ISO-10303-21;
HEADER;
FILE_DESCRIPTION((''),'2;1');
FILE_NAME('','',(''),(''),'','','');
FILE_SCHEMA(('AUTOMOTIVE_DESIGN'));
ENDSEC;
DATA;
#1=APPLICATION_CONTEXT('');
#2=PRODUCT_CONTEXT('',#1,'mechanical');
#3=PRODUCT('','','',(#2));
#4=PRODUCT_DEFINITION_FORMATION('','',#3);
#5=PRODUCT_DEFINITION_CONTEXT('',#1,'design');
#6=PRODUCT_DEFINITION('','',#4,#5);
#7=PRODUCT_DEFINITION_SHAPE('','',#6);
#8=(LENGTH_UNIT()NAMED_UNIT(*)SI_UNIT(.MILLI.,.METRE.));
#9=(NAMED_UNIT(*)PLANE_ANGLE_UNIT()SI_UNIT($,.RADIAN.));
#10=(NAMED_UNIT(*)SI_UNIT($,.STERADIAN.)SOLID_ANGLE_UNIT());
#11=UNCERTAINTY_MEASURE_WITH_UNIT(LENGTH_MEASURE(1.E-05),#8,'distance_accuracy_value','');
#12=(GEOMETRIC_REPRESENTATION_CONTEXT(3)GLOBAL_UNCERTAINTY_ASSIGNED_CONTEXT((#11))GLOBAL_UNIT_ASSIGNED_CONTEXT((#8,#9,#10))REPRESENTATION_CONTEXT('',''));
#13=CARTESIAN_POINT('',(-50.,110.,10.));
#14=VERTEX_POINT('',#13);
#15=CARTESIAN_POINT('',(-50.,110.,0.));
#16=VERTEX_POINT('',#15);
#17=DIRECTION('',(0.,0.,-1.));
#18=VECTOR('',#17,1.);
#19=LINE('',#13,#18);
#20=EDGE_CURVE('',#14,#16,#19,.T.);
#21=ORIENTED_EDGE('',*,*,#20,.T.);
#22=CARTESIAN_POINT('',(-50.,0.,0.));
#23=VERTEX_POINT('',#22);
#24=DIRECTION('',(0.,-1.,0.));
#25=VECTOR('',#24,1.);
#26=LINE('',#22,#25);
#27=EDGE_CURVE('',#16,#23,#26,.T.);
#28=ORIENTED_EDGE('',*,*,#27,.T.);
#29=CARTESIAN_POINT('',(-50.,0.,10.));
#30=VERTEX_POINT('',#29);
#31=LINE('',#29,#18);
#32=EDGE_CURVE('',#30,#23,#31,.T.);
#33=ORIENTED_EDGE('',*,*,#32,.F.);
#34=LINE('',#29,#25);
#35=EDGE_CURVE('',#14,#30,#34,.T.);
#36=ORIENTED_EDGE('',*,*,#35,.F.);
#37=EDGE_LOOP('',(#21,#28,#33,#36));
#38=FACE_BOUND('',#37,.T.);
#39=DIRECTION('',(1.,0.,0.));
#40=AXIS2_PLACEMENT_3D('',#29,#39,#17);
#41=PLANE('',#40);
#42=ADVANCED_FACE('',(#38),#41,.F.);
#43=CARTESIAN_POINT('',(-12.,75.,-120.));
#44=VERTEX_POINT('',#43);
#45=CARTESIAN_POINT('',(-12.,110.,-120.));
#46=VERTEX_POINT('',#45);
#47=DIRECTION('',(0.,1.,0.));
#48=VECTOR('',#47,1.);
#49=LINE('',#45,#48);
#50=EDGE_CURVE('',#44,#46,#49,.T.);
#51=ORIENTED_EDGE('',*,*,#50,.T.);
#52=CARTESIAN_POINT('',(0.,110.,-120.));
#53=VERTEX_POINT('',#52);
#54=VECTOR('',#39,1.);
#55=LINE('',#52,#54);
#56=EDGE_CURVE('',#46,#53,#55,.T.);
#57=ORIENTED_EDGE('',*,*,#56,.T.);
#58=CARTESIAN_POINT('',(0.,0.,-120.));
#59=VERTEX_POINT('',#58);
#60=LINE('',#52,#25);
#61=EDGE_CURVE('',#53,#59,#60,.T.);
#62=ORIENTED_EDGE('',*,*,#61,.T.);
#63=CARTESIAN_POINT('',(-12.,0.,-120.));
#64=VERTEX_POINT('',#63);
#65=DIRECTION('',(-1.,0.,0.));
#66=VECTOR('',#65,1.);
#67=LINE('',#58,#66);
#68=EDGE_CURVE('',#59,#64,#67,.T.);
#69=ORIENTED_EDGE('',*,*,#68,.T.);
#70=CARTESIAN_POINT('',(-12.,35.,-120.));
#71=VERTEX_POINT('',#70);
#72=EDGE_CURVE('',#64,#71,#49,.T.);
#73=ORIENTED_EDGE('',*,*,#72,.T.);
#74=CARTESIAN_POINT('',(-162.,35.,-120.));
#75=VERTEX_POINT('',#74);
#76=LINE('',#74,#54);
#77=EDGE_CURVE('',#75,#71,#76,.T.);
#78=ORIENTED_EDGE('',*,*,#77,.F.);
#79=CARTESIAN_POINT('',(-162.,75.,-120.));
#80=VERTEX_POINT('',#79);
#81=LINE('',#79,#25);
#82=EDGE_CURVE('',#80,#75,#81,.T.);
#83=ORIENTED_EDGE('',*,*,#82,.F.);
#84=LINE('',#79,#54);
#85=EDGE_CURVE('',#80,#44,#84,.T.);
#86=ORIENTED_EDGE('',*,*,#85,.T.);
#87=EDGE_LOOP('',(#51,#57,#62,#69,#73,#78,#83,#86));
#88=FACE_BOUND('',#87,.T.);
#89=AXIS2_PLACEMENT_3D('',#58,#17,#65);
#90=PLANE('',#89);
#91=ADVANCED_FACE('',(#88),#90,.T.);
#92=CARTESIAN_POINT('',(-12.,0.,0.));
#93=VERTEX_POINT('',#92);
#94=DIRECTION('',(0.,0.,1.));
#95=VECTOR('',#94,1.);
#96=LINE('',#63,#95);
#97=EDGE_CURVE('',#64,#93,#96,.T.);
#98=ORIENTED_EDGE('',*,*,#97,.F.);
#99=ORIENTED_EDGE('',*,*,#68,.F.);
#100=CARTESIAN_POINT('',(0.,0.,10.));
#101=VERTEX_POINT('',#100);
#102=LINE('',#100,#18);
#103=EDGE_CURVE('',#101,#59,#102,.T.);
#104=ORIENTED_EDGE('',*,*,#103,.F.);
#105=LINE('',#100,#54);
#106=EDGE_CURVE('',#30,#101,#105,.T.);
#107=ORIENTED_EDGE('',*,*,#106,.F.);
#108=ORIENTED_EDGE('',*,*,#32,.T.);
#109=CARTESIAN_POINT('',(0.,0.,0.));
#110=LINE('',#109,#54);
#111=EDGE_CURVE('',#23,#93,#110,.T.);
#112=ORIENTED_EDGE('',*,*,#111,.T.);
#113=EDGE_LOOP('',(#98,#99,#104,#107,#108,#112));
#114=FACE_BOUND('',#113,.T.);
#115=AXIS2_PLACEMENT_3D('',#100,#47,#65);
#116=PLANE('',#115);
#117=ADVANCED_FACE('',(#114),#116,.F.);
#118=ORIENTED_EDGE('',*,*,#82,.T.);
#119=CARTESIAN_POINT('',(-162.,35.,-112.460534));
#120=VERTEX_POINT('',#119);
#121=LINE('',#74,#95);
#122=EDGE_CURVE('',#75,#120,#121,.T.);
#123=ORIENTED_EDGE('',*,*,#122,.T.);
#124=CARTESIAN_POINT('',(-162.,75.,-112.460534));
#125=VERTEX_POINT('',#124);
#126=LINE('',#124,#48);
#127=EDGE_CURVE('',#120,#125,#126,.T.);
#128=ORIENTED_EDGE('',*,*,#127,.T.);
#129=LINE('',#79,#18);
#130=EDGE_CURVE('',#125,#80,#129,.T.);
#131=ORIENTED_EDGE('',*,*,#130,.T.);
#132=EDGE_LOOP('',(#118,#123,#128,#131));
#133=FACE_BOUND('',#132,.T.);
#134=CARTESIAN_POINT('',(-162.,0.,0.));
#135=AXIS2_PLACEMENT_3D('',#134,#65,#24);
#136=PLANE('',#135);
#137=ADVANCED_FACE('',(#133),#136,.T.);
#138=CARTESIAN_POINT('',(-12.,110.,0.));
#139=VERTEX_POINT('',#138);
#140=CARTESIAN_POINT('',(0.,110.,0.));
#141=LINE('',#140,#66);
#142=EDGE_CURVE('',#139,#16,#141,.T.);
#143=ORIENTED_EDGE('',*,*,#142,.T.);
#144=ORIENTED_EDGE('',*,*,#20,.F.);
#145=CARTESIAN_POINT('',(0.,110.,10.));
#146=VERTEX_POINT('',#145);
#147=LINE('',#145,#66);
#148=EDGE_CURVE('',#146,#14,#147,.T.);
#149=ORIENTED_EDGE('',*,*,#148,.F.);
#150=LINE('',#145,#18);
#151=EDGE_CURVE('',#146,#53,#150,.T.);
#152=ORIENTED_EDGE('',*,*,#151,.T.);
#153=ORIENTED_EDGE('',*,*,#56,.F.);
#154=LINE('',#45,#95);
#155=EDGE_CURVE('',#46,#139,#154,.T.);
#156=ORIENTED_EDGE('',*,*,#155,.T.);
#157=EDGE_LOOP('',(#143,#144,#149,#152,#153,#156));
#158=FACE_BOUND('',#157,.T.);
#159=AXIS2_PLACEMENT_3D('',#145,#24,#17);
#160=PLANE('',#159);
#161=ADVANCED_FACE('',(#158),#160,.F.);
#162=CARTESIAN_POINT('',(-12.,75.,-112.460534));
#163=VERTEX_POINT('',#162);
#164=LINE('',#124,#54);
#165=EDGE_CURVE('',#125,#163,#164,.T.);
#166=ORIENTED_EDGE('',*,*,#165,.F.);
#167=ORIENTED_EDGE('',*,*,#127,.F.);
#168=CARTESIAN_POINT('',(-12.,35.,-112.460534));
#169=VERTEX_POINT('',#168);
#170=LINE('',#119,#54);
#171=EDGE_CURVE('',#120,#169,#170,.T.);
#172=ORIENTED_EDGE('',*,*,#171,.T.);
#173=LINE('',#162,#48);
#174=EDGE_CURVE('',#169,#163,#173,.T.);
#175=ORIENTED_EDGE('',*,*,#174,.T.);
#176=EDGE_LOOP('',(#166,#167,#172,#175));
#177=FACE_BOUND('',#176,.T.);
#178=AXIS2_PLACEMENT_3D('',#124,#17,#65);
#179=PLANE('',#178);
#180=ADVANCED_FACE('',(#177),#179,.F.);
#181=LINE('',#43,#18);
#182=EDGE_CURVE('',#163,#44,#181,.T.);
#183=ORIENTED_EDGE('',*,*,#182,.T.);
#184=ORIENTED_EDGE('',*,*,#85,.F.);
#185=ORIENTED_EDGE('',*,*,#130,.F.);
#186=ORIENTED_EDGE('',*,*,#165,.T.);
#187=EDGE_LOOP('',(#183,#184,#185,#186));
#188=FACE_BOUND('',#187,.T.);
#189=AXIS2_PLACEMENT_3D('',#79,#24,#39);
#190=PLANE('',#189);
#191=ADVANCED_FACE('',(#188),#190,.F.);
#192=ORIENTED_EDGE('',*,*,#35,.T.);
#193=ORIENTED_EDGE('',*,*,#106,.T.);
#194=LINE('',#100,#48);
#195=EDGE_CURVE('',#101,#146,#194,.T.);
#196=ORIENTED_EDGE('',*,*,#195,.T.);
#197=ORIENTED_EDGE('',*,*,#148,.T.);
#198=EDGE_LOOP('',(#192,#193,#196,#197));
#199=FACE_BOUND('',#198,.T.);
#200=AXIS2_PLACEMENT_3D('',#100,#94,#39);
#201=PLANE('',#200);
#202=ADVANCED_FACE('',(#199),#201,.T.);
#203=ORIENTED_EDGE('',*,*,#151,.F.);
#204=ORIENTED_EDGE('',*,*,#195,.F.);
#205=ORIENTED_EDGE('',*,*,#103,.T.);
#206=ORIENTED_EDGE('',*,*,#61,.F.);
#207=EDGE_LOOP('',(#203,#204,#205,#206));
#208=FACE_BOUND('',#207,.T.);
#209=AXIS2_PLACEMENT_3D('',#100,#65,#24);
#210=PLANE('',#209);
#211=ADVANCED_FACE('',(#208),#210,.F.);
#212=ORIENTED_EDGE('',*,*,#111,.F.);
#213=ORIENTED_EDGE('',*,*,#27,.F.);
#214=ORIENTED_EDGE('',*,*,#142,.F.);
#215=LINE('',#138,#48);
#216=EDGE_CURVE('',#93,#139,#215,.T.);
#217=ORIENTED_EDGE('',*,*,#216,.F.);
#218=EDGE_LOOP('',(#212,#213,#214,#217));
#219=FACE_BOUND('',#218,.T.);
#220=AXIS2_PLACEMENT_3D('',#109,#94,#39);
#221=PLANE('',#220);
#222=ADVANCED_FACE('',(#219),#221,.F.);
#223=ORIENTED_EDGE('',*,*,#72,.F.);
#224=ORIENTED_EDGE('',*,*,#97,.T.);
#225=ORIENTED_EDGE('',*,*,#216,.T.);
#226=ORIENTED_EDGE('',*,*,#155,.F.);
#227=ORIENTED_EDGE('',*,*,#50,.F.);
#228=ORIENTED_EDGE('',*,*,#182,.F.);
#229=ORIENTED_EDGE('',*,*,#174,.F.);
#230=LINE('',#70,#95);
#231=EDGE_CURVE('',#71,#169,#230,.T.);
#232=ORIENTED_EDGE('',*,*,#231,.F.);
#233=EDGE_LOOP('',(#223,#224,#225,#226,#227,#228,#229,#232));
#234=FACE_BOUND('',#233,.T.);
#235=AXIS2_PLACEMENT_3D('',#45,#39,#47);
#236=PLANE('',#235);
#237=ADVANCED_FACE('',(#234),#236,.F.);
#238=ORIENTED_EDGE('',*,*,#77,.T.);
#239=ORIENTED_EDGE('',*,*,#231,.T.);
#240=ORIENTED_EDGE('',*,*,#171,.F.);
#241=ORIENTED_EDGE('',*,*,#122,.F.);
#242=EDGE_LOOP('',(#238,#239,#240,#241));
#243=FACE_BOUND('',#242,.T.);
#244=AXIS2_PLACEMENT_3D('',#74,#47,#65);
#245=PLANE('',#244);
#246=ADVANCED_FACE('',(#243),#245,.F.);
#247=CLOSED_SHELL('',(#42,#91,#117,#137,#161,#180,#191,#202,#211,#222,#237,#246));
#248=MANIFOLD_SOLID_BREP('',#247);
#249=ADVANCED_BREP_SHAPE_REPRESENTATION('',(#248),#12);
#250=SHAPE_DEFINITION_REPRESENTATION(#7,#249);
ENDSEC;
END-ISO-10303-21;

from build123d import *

# Parameters (mm, degrees)
SKETCH1_W           = 50
SKETCH1_H           = 110
BOSS_EXTRUDE1_DEPTH = 10
SKETCH2_W           = 12
SKETCH2_H           = 110
BOSS_EXTRUDE2_DEPTH = 120
SKETCH3_W           = 7.539466006
SKETCH3_H           = 40
BOSS_EXTRUDE3_DEPTH = 150


with BuildPart() as part:
    # Sketch1 → Boss-Extrude1 (new body)
    with BuildSketch(Plane.XY):
        with Locations((-25, 55)):
            Rectangle(SKETCH1_W, SKETCH1_H)
    extrude(amount=BOSS_EXTRUDE1_DEPTH)

    # Sketch2 → Boss-Extrude2 (add)
    with BuildSketch(Plane(origin=(0, 0, 0), x_dir=(-1, 0, 0), z_dir=(0, 0, -1))):
        with Locations((6, 55)):
            Rectangle(SKETCH2_W, SKETCH2_H)
    extrude(amount=BOSS_EXTRUDE2_DEPTH)

    # Sketch3 → Boss-Extrude3 (add)
    with BuildSketch(Plane.ZY.offset(12)):
        with Locations((-116.230266997, 55)):
            Rectangle(SKETCH3_W, SKETCH3_H)
    extrude(amount=BOSS_EXTRUDE3_DEPTH)


solid = part.part
